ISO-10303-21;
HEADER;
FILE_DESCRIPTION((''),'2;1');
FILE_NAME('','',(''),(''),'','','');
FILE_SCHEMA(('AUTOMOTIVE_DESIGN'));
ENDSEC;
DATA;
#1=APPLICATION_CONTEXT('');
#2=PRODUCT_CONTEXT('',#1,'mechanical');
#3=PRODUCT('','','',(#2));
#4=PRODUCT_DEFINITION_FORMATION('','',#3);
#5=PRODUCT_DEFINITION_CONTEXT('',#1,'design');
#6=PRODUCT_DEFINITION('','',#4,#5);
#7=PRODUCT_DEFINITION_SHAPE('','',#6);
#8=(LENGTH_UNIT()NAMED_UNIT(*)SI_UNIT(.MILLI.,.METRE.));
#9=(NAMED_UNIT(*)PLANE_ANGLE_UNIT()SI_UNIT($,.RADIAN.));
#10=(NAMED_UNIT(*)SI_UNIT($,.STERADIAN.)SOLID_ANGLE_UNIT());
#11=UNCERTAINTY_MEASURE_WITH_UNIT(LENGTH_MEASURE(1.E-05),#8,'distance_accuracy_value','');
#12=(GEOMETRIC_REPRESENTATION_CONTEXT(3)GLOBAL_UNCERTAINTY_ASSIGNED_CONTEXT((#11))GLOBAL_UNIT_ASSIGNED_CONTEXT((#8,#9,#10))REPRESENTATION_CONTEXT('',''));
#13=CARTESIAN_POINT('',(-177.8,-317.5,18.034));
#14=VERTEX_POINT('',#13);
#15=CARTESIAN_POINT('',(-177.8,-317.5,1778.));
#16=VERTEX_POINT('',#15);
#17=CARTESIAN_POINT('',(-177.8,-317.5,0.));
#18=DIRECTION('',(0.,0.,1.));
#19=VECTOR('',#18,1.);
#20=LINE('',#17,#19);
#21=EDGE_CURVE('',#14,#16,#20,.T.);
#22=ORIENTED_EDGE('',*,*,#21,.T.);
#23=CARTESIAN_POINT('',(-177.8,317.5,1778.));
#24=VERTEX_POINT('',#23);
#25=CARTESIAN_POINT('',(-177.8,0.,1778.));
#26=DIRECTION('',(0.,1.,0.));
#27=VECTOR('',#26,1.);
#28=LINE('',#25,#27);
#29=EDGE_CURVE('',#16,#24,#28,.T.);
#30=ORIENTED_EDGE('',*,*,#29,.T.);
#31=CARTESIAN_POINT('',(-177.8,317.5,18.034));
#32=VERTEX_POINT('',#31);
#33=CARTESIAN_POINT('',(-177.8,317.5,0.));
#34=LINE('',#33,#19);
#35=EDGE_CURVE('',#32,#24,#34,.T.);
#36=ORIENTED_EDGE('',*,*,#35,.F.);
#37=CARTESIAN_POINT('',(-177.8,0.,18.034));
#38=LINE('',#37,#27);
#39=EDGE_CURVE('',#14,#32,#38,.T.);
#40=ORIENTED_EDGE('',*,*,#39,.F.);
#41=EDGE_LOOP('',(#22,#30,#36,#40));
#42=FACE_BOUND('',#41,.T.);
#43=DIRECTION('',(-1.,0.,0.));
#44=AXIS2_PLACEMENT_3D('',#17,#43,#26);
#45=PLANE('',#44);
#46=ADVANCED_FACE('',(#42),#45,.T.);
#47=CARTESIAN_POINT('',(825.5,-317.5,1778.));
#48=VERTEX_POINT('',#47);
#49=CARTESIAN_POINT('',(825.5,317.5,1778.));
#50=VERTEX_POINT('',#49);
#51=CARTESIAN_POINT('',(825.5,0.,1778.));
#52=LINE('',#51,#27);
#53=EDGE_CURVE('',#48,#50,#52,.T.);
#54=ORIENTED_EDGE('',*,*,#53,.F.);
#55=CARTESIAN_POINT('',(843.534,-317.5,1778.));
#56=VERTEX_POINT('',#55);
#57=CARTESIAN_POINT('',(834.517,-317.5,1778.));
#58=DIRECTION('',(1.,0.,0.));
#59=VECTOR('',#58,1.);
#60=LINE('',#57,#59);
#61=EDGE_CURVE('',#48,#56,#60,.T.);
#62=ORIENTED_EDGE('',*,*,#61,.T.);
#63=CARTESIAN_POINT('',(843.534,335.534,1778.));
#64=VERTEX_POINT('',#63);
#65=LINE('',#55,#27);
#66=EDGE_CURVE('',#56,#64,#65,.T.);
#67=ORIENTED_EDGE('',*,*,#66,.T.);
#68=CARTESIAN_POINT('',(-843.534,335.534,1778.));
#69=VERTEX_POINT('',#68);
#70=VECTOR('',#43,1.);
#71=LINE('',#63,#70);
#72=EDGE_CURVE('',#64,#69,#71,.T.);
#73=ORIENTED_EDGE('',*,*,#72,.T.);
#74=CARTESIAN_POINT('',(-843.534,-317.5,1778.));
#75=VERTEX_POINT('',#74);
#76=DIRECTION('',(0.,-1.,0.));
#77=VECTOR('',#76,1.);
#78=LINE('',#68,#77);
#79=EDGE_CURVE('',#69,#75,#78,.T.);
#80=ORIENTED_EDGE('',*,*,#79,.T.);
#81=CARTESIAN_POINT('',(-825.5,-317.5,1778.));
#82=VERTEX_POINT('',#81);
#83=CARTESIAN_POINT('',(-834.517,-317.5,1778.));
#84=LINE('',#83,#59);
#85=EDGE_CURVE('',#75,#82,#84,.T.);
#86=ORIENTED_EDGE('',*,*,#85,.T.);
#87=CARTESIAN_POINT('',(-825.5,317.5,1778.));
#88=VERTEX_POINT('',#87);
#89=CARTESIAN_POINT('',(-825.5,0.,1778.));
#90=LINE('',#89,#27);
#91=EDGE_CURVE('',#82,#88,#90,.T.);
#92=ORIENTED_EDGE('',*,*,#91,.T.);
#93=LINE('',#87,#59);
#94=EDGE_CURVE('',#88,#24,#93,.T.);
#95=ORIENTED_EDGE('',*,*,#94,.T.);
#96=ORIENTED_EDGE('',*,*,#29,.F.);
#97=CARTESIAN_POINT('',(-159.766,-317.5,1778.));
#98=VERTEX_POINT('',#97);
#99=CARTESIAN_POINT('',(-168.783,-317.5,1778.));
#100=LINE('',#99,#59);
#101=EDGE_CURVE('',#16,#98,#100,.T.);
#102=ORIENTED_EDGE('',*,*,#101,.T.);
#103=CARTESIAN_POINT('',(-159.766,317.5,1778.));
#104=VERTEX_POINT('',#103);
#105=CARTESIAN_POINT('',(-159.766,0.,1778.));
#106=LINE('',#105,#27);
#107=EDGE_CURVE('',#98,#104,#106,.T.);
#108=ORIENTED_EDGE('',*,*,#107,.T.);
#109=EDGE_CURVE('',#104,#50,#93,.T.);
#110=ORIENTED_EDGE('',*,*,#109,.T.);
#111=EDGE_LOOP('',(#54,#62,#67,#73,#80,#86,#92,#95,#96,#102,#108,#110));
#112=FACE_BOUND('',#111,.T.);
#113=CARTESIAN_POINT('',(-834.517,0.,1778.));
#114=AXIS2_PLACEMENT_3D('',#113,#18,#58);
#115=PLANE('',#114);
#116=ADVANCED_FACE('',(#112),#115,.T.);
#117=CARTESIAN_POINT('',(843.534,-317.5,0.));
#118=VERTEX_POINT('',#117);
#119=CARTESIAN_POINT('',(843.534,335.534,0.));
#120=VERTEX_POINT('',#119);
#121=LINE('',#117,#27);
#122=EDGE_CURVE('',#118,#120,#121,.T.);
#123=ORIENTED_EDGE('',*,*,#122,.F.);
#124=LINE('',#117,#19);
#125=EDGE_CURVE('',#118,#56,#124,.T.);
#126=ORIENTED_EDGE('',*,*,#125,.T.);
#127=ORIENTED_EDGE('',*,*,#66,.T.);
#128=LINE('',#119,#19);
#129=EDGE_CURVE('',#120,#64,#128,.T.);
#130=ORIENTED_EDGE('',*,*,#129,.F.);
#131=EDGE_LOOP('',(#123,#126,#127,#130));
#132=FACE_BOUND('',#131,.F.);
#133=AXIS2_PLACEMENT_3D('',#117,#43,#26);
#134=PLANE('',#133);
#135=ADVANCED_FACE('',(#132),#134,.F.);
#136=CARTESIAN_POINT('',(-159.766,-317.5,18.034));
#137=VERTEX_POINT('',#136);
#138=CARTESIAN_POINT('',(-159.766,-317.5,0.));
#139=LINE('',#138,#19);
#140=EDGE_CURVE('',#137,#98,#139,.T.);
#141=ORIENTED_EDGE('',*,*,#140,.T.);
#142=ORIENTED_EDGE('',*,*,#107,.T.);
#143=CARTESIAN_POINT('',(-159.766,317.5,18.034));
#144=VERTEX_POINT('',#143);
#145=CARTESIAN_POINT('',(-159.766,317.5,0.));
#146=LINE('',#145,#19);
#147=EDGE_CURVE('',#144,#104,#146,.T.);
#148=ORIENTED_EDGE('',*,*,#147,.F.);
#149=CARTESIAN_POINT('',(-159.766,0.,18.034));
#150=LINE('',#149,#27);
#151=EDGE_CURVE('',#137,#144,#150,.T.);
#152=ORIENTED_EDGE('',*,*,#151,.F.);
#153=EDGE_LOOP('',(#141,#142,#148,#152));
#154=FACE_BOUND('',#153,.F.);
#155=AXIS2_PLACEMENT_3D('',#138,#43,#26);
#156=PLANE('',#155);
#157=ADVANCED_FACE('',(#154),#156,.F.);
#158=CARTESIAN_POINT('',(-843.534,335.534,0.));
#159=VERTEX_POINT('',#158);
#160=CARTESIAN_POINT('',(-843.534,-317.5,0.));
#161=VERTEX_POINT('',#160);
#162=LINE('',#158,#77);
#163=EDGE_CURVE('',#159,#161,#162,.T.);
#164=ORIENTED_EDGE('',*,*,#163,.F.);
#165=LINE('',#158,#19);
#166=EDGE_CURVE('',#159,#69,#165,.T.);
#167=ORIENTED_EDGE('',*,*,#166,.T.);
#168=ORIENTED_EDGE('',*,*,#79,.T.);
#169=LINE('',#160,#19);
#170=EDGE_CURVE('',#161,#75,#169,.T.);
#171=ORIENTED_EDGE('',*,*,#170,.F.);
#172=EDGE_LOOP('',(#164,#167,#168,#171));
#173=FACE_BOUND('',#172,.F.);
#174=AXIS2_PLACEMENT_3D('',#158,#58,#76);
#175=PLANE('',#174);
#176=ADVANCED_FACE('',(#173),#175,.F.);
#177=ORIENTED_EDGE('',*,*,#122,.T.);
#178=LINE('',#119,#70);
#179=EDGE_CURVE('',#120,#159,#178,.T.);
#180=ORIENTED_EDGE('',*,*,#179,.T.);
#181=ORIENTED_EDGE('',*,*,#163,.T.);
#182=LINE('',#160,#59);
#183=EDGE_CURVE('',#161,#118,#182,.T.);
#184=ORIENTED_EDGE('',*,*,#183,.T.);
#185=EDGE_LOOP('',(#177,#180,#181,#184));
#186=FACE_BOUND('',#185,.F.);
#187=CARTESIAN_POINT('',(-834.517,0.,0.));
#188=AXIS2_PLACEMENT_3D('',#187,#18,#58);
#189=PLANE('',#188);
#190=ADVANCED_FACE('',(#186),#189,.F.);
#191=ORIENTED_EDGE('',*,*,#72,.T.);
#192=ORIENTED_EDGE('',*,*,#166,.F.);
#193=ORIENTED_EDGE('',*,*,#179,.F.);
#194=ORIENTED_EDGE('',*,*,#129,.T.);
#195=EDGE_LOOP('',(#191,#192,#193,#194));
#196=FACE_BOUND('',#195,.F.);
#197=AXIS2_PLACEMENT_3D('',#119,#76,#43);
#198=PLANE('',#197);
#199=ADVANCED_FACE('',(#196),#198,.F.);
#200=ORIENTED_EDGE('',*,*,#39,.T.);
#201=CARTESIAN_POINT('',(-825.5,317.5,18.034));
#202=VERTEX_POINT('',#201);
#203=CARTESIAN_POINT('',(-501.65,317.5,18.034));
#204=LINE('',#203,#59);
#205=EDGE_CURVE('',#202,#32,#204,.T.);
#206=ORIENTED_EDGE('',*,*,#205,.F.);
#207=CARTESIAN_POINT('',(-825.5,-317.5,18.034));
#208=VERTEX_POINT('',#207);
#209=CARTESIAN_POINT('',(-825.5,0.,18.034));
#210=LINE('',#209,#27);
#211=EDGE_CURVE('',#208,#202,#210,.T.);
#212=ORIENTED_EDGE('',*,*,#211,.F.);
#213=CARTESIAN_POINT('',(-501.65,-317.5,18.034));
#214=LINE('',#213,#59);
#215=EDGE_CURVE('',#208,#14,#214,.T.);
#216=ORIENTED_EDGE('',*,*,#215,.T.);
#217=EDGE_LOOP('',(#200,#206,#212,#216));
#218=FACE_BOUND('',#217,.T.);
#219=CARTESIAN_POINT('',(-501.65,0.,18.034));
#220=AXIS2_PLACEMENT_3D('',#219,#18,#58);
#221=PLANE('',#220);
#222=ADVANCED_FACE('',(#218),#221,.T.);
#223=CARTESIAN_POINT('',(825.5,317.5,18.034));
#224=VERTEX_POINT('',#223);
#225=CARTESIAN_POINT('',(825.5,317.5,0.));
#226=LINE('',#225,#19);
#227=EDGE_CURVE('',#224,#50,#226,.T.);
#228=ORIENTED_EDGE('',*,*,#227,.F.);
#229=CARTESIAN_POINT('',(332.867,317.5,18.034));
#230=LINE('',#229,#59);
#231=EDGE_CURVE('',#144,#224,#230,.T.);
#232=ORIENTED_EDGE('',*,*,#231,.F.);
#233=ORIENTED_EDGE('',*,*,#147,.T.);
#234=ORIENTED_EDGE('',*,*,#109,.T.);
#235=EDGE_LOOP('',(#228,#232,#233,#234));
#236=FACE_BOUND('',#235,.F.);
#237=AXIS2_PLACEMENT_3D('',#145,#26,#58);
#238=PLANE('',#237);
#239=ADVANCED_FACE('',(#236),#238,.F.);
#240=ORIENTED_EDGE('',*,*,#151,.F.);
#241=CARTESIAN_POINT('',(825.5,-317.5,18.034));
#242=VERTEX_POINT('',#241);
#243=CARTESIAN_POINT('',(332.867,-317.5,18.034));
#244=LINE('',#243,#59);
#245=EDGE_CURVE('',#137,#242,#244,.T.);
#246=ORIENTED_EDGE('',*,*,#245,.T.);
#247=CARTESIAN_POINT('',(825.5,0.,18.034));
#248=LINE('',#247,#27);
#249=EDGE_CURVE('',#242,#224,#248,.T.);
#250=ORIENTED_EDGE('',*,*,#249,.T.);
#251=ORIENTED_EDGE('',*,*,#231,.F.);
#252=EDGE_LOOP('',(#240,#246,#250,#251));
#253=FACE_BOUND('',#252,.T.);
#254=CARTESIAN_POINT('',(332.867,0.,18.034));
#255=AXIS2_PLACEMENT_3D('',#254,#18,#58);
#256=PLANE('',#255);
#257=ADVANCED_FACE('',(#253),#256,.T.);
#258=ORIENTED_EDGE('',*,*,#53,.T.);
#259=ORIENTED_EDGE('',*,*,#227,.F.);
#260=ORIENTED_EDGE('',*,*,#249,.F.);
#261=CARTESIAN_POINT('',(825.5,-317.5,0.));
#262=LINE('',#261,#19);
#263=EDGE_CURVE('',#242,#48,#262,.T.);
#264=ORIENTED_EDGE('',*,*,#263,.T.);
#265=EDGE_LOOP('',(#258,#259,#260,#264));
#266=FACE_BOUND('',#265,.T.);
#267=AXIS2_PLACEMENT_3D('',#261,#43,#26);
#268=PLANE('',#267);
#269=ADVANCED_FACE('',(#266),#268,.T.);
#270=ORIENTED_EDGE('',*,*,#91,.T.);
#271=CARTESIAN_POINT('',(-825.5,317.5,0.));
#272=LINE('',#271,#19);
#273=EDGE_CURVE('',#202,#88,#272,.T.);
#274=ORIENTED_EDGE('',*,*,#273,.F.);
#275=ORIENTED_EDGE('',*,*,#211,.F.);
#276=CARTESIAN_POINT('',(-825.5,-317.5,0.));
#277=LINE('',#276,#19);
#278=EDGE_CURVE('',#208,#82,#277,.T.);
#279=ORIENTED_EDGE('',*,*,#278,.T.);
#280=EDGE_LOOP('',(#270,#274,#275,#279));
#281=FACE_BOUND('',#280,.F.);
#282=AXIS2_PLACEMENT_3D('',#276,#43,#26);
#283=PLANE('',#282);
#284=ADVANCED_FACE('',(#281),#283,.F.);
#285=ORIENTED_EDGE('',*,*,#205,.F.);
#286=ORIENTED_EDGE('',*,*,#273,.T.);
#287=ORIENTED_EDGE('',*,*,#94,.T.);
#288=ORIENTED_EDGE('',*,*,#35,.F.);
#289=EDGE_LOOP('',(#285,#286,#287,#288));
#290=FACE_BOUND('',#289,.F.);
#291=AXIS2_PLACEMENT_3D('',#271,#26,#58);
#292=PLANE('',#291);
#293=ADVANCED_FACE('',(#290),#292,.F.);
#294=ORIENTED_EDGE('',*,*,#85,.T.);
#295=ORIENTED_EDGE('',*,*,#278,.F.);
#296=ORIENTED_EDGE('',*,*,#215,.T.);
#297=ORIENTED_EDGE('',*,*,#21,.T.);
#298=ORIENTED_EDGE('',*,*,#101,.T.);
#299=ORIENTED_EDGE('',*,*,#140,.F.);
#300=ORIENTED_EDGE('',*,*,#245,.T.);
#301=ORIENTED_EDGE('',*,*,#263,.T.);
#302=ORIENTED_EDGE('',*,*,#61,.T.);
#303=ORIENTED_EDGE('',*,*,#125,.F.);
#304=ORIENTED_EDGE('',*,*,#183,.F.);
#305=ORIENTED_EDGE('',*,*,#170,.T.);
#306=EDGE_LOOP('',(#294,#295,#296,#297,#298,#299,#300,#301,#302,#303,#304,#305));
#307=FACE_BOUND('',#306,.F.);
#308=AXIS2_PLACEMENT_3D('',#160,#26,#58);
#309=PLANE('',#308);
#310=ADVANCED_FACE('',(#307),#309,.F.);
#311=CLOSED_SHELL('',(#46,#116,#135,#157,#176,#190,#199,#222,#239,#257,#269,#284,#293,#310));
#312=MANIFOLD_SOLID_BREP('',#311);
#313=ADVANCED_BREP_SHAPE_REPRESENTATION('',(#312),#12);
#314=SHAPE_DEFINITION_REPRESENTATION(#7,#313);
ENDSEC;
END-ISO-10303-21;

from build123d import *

# Parameters (mm, degrees)
F0_W     = 647.7
F0_H     = 635
F1_DEPTH = 18.034
F0_W_2   = 985.266
F0_W_3   = 18.034
F2_DEPTH = 1778


with BuildPart() as f1:
    # F0 (on Top) → F1 (new body)
    with BuildSketch(Plane.XY):
        with Locations((-501.65, 0)):
            Rectangle(F0_W, F0_H)
    extrude(amount=F1_DEPTH)



with BuildPart() as f1b:
    # F0 (on Top) → F1, piece 2 (new body)
    with BuildSketch(Plane.XY):
        with Locations((332.867, 0)):
            Rectangle(F0_W_2, F0_H)
    extrude(amount=F1_DEPTH)


with BuildPart() as f1_1:
    add(f1.part)

    add(f1b.part)  # F2 merges F1b
    # F0 (on Top) → F2 (join)
    with BuildSketch(Plane.XY):
        with Locations((-834.517, 0)):
            Rectangle(F0_W_3, F0_H)
        with Locations((834.517, 0)):
            Rectangle(F0_W_3, F0_H)
        Polygon((-843.534, 317.5), (-825.5, 317.5), (-177.8, 317.5), (-159.766, 317.5), (825.5, 317.5), (843.534, 317.5), (843.534, 335.534), (-843.534, 335.534), align=None)
        with Locations((-168.783, 0)):
            Rectangle(F0_W_3, F0_H)
    extrude(amount=F2_DEPTH)


solid = f1_1.part
